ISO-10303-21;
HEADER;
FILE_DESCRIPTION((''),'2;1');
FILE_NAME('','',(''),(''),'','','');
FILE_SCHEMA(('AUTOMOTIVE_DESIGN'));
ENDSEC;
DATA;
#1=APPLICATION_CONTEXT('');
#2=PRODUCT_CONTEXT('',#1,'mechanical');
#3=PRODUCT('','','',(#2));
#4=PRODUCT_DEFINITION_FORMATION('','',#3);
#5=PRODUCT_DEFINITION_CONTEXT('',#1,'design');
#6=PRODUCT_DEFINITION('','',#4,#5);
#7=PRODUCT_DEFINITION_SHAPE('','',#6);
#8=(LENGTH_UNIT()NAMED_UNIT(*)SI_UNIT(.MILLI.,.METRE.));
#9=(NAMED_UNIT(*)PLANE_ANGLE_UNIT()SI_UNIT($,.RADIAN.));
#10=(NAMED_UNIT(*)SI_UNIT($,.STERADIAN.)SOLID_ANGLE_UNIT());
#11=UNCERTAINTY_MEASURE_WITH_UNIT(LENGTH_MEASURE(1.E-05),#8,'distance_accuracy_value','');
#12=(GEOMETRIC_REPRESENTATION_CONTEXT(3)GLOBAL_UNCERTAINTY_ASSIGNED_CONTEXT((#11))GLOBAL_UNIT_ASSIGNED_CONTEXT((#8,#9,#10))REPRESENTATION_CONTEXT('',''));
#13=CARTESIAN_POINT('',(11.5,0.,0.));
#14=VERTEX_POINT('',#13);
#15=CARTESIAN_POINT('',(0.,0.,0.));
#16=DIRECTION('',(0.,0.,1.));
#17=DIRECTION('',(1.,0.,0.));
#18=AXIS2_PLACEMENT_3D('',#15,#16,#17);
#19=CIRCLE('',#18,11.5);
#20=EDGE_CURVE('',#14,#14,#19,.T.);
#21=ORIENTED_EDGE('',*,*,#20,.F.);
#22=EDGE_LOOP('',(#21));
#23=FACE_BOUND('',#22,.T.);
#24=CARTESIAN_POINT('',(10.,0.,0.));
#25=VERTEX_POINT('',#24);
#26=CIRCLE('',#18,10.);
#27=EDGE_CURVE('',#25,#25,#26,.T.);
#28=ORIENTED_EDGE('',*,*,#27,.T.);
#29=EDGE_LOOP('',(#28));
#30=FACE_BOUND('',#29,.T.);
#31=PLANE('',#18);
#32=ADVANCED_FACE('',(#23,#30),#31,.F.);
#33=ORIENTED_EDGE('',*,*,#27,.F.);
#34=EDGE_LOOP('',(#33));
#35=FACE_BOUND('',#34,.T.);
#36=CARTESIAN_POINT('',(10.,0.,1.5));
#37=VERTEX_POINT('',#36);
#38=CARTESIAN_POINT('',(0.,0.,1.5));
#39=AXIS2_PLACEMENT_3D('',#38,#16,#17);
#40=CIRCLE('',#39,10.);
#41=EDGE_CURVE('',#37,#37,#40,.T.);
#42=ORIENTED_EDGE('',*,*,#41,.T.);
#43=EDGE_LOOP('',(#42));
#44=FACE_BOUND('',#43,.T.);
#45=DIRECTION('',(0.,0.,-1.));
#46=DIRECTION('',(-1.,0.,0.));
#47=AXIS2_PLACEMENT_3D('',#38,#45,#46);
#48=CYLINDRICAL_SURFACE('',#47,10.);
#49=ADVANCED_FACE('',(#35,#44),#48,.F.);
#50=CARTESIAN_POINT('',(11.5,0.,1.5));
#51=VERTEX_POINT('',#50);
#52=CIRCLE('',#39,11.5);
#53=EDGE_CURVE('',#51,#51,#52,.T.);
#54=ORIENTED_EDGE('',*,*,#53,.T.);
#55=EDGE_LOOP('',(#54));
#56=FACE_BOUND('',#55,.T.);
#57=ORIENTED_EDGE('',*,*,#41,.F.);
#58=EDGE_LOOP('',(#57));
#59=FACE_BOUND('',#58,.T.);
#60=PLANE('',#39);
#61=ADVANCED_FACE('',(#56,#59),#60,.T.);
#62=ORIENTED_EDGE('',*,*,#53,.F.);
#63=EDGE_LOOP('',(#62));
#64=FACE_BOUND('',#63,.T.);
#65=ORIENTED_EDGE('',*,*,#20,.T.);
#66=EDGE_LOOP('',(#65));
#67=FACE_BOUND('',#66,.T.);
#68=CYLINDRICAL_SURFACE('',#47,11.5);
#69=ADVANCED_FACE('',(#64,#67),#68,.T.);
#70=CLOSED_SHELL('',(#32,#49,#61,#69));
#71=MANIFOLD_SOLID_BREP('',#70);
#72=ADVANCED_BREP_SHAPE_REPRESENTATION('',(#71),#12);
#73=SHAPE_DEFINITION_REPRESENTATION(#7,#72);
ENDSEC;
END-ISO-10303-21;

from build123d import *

# Parameters (mm, degrees)
SKETCH_1_R      = 11.5
SKETCH_1_R_2    = 10
EXTRUDE_1_DEPTH = 1.5


with BuildPart() as part:
    # 草图1 → 凸台-拉伸1 (new body)
    with BuildSketch(Plane.XY):
        Circle(SKETCH_1_R)
        Circle(SKETCH_1_R_2, mode=Mode.SUBTRACT)
    extrude(amount=EXTRUDE_1_DEPTH)


solid = part.part
